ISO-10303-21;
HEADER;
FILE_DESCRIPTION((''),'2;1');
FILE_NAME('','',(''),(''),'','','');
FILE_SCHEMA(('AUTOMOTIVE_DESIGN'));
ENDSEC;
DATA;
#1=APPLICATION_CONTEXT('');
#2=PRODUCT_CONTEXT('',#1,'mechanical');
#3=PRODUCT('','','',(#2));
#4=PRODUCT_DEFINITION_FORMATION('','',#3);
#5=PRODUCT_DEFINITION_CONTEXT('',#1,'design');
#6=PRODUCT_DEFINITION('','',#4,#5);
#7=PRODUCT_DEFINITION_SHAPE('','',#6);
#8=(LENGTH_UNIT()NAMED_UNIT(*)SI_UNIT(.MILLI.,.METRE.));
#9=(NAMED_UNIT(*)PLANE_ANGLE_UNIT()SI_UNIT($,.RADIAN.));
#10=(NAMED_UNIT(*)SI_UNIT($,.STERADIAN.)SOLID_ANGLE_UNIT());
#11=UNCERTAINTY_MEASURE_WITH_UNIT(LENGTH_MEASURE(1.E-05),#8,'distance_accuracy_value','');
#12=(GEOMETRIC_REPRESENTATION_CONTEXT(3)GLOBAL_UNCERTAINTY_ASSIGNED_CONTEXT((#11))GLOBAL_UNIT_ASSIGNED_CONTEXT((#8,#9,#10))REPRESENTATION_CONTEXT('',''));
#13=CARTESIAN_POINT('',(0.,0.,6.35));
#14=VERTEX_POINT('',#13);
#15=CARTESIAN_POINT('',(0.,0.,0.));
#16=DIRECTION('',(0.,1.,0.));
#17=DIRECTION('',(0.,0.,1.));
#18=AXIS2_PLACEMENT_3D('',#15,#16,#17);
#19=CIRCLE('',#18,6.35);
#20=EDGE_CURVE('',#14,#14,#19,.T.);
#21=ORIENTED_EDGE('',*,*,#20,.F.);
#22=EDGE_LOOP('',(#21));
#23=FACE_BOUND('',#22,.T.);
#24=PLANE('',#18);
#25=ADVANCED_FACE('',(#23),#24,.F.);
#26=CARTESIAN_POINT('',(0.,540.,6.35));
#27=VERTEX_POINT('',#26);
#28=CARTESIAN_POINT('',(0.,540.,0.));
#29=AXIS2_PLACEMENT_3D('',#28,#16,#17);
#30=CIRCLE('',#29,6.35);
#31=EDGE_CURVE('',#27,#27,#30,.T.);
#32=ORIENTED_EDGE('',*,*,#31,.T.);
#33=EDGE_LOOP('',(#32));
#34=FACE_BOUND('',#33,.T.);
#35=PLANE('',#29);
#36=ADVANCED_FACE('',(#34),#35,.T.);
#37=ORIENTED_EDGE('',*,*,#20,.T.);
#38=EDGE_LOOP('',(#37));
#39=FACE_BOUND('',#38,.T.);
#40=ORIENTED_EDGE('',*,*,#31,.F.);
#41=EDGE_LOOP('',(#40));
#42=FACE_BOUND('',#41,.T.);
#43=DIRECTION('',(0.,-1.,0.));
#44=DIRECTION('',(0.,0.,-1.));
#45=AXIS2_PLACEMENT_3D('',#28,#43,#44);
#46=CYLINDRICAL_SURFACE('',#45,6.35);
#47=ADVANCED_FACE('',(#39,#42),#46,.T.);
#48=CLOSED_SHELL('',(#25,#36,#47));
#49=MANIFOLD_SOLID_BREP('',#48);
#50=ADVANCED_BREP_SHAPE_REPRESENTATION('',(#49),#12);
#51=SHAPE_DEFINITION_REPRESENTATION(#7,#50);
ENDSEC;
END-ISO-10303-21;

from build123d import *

# Parameters (mm, degrees)
CROQUIS1_R = 6.35


with BuildPart() as part:
    # Barrer1: sweep along a path in Croquis2
    with BuildLine(Plane.XY) as barrer1_path:
        Line((0, 0), (0, 540))
    # Croquis1 → Barrer1 (sweep)
    with BuildSketch(Plane(origin=(0, 0, 0), x_dir=(1, 0, 0), z_dir=(0, 1, 0))):
        Circle(CROQUIS1_R)
    sweep(path=barrer1_path.line)


solid = part.part
